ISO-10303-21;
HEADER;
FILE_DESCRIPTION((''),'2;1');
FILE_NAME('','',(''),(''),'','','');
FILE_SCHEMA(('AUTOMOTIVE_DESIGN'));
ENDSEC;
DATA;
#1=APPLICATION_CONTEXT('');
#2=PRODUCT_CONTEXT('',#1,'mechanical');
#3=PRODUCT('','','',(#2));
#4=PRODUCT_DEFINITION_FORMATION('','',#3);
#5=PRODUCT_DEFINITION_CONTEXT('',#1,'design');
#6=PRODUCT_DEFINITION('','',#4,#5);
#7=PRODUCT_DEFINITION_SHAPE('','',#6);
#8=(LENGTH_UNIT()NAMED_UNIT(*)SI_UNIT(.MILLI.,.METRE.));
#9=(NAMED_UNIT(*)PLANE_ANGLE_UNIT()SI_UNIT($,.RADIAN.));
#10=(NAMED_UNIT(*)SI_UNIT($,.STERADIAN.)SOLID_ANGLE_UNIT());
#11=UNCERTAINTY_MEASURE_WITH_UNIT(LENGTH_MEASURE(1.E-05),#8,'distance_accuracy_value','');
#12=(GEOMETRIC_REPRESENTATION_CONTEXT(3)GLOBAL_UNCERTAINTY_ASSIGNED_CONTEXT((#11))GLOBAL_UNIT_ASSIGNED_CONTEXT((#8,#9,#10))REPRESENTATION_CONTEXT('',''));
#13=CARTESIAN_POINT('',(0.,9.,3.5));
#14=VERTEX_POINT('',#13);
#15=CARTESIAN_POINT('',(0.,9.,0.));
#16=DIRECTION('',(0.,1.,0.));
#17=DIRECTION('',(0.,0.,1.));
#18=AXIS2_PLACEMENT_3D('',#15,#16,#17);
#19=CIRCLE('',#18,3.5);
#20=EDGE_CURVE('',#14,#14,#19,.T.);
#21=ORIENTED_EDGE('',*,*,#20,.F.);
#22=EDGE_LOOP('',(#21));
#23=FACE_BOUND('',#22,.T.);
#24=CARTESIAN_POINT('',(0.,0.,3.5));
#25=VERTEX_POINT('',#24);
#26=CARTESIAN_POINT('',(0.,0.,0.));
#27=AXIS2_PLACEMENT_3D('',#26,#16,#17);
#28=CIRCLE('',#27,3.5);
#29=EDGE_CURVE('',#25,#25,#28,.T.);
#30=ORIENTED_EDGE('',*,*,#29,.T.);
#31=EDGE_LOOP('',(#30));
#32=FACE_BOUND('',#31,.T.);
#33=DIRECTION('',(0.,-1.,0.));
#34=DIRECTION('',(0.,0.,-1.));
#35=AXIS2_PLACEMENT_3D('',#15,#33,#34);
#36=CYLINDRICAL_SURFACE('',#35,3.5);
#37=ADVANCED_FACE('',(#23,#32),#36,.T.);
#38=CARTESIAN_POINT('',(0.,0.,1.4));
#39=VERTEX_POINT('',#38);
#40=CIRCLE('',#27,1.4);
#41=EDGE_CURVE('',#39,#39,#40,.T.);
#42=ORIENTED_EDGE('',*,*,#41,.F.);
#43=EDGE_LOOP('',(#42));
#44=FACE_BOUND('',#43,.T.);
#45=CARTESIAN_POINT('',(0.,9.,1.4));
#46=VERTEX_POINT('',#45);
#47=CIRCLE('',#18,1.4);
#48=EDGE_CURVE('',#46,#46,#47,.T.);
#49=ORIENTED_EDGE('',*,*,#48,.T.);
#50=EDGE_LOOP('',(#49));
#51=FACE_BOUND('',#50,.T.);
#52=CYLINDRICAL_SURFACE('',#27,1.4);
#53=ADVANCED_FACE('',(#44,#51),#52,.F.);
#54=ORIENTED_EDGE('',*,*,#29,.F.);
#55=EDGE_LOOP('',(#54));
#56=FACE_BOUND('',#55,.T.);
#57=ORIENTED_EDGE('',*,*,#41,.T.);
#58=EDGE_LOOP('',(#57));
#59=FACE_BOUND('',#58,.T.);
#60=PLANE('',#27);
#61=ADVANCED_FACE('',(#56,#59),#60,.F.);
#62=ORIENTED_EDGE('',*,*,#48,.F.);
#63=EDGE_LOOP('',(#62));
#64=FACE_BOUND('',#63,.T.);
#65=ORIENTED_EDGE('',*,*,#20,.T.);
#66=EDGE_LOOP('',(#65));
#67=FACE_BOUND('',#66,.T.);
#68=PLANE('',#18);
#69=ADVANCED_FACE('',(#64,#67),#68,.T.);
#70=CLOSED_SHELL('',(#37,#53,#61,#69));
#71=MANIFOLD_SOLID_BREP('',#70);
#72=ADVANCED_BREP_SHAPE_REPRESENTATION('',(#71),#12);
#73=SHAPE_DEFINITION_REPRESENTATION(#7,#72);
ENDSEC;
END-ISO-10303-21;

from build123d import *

# Parameters (mm, degrees)
CROQUIS1_R              = 3.5
SALIENTE_EXTRUIR1_DEPTH = 9
CROQUIS2_R              = 1.4
CORTAR_EXTRUIR1_DEPTH   = 11.271319292


with BuildPart() as part:
    # Croquis1 → Saliente-Extruir1 (new body)
    with BuildSketch(Plane(origin=(0, 0, 0), x_dir=(1, 0, 0), z_dir=(0, 1, 0))):
        with Locations(Location((0, 0, 0), (0, 0, 270))):
            Circle(CROQUIS1_R)
    extrude(amount=SALIENTE_EXTRUIR1_DEPTH)

    # Croquis2 → Cortar-Extruir1 (cut, through all)
    with BuildSketch(Plane(origin=(0, 9, 0), x_dir=(1, 0, 0), z_dir=(0, 1, 0))):
        with Locations(Location((0, 0, 0), (0, 0, 270))):
            Circle(CROQUIS2_R)
    extrude(amount=-CORTAR_EXTRUIR1_DEPTH, mode=Mode.SUBTRACT)


solid = part.part
